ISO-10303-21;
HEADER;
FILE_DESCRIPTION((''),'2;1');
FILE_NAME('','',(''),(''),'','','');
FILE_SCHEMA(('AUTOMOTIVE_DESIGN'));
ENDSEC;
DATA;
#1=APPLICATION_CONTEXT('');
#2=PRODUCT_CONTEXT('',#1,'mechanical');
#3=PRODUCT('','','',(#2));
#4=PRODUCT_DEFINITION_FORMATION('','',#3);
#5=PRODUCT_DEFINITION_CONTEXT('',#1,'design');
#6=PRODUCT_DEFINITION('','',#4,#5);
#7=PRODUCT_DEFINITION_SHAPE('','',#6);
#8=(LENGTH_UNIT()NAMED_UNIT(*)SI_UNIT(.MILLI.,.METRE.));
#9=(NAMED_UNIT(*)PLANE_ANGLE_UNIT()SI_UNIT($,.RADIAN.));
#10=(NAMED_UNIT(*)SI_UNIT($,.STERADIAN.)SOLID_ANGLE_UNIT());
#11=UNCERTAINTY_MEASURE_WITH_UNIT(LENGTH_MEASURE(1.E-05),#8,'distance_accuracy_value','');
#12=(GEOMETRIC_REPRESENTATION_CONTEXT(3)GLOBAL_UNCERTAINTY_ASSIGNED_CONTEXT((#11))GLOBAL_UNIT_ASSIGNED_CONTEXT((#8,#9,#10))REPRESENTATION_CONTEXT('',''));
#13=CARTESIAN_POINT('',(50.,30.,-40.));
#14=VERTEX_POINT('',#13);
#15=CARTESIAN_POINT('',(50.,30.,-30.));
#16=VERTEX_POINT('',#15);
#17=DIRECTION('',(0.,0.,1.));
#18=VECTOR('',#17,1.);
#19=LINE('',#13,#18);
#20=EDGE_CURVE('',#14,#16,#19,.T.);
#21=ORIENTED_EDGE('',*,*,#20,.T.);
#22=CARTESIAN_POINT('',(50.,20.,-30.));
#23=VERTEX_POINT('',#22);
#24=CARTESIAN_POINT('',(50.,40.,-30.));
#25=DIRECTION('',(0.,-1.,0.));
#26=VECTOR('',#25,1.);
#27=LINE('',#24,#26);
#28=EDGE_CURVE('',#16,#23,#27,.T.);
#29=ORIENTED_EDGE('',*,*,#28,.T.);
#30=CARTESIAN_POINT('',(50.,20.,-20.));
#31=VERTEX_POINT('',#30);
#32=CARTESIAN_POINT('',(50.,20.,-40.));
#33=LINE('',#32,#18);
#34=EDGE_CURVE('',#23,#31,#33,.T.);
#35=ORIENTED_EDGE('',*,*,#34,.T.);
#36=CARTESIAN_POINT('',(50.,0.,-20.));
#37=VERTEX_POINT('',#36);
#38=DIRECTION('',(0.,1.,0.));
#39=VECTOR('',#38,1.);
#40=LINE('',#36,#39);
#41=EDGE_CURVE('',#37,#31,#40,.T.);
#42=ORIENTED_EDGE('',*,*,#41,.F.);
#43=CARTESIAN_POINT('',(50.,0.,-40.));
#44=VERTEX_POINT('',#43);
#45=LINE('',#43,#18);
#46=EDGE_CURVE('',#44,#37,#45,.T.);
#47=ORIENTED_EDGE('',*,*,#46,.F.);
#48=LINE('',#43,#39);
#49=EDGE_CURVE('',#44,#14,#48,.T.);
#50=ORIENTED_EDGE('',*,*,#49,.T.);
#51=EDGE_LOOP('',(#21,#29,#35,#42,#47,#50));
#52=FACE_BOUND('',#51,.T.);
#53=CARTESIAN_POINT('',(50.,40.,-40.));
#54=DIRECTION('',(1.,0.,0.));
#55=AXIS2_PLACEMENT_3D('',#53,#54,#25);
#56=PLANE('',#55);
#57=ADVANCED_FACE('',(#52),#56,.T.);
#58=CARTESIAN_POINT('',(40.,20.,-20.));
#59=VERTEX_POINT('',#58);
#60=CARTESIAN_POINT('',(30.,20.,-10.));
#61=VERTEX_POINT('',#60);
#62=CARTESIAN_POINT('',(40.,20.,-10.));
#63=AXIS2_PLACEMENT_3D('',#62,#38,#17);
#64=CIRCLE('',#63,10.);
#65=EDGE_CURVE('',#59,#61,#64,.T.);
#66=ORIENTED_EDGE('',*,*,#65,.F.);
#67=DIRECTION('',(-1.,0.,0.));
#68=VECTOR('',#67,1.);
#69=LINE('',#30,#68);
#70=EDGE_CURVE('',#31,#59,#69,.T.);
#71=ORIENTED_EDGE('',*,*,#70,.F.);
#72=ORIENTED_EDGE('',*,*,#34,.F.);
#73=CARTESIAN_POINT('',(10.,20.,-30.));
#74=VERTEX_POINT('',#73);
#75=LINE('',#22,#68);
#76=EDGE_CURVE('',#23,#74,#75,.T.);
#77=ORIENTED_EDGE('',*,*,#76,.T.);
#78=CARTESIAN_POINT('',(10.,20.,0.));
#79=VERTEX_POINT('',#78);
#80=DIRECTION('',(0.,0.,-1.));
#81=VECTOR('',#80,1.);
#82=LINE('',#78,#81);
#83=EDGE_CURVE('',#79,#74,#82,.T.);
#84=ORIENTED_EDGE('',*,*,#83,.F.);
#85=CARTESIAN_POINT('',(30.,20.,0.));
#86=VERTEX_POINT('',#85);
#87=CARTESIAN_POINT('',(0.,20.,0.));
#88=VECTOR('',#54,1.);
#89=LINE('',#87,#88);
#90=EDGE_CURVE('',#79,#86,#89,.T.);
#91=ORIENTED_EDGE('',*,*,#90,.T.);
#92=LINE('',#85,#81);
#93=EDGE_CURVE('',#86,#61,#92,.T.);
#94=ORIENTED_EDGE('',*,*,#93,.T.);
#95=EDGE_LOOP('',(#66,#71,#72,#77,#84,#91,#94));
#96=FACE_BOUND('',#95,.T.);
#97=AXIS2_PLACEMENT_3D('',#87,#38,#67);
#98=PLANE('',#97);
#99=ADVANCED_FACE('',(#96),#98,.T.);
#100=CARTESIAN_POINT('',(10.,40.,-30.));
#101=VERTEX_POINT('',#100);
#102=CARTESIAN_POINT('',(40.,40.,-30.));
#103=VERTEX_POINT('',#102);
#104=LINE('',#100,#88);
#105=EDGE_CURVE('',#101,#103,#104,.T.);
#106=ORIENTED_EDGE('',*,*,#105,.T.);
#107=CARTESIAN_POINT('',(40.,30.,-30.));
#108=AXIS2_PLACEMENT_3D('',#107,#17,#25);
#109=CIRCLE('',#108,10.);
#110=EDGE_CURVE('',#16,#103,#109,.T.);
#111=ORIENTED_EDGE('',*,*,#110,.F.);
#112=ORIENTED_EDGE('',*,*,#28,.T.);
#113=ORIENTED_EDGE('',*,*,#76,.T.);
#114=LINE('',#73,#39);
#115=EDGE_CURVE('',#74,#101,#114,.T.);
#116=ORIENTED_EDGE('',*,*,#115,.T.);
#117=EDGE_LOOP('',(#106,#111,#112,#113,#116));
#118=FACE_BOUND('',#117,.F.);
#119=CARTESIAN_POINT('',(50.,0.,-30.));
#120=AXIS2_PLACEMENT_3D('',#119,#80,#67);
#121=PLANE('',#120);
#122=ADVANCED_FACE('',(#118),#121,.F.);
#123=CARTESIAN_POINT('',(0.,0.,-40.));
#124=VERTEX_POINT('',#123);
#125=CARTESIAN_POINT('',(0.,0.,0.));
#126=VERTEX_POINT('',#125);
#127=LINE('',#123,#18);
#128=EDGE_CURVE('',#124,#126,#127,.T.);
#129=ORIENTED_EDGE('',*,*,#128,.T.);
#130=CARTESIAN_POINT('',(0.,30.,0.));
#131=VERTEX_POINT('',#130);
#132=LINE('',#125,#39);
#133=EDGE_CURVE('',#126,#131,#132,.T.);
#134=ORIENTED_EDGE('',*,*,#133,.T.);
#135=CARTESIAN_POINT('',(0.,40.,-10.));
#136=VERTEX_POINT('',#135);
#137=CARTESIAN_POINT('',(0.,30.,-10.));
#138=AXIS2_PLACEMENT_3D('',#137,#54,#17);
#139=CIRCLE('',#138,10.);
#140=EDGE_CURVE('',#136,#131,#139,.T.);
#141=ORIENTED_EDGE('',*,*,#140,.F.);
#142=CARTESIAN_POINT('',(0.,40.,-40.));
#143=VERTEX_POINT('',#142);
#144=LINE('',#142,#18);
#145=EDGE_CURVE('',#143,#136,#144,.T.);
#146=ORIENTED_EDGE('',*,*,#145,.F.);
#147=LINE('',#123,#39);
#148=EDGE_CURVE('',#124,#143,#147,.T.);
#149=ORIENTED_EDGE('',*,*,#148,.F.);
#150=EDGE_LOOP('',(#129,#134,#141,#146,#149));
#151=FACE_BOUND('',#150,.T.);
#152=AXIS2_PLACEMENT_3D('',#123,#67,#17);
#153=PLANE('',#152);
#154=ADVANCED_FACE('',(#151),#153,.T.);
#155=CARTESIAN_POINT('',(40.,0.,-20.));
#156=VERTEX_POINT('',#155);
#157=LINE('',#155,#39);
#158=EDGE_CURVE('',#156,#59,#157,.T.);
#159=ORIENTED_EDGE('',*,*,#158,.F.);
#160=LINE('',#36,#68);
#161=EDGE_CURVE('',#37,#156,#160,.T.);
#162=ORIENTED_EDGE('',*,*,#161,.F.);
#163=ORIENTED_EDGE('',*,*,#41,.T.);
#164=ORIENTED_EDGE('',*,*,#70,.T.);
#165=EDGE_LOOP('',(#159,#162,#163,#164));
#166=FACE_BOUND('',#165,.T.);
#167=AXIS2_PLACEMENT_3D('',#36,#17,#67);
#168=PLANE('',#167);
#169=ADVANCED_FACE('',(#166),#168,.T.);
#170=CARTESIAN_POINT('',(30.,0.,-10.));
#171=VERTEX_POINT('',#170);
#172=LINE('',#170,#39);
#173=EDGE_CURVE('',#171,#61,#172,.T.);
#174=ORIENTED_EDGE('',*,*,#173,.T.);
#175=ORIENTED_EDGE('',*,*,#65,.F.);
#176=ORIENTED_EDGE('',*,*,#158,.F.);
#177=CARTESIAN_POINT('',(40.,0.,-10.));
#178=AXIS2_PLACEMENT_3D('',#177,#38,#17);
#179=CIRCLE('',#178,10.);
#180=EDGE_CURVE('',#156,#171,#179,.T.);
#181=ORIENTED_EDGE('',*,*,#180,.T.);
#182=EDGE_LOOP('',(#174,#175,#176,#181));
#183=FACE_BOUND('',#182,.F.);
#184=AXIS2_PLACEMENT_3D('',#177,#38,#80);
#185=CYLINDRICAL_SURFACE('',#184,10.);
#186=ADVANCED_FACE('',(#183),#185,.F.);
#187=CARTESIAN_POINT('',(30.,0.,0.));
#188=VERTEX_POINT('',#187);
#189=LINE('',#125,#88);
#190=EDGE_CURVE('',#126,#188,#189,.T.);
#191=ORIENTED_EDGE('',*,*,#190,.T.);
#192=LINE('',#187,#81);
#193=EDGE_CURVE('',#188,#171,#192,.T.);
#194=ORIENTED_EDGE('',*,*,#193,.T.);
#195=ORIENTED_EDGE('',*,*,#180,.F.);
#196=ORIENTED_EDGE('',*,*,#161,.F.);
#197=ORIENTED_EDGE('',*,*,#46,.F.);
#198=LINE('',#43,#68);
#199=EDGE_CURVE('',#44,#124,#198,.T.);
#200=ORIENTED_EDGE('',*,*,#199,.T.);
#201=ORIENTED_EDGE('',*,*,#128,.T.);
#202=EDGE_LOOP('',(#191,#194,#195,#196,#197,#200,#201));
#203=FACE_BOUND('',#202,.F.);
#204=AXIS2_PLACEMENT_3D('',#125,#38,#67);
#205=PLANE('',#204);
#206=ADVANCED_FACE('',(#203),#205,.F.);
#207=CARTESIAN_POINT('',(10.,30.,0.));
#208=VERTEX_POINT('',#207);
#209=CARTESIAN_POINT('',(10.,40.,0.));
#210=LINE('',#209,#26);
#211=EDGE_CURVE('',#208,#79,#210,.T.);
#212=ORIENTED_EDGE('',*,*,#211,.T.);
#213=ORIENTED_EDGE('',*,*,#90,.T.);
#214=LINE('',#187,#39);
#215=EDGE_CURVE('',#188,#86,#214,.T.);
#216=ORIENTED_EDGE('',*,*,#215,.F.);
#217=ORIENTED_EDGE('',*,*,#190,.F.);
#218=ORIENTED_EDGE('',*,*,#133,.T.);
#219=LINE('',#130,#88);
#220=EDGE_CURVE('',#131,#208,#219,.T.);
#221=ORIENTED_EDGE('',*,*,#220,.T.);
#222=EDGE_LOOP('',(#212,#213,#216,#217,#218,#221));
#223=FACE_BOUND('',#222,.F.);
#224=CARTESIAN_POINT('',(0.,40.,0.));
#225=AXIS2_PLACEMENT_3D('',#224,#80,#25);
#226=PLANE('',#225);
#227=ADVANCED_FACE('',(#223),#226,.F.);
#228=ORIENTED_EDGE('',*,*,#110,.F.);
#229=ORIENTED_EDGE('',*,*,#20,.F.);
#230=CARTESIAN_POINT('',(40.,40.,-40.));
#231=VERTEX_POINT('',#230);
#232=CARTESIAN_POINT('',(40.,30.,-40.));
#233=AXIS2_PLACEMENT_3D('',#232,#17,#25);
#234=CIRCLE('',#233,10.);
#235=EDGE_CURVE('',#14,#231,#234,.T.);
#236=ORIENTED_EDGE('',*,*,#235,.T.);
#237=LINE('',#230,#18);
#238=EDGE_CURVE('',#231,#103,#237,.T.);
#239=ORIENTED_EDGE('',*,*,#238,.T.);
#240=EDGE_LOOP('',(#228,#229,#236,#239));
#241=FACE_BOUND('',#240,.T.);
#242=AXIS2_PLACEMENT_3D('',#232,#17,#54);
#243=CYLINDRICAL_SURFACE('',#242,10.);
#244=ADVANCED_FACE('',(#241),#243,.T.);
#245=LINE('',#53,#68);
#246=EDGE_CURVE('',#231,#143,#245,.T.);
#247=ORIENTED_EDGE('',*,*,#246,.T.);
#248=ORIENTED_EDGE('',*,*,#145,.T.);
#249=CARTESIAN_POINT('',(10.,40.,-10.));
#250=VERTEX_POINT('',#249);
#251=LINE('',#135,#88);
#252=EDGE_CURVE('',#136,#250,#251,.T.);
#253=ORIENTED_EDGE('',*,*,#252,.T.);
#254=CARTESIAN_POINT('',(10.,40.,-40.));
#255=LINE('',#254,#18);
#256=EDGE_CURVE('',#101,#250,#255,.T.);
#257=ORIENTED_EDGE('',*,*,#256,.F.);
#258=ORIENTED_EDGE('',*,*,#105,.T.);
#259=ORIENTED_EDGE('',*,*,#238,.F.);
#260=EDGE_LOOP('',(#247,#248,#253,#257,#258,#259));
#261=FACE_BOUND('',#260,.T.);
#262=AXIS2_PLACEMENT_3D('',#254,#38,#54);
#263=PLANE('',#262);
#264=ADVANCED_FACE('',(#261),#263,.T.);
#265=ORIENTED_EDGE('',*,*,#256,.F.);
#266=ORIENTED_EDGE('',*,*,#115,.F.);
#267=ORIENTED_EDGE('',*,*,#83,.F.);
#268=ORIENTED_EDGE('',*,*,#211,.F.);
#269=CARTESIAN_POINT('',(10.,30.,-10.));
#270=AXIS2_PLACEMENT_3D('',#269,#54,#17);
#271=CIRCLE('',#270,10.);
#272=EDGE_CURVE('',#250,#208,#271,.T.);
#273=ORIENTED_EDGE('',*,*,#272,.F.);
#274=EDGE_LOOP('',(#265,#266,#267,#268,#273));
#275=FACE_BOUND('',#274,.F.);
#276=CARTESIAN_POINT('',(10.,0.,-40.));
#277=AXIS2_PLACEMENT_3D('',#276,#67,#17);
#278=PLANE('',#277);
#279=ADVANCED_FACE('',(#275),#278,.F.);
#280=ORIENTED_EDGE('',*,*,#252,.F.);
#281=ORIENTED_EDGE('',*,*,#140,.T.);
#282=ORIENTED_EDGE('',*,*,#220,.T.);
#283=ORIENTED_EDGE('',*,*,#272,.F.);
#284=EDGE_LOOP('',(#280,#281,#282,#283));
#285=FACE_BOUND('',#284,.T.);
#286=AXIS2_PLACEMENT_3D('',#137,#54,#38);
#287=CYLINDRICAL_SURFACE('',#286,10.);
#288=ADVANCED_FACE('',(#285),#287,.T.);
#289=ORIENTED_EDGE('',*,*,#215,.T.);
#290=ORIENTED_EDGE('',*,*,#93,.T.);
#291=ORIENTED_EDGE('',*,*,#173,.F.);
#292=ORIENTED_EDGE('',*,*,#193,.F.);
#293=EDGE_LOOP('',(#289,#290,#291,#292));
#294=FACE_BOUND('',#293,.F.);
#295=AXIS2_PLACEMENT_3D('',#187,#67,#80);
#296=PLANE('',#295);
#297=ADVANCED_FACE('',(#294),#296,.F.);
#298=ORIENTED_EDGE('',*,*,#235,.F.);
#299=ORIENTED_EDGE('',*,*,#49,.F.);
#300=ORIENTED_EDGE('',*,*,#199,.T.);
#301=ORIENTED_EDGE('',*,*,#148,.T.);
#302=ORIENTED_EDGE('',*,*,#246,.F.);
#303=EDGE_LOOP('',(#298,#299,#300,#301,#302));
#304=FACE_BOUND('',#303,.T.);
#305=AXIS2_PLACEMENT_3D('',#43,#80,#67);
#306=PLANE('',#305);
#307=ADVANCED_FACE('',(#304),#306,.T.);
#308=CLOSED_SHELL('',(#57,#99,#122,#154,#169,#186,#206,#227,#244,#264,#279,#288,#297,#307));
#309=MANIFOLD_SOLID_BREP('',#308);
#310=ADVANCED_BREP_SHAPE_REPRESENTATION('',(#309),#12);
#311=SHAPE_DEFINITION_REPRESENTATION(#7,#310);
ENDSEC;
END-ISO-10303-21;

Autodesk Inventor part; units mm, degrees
ref_plane "YZ Plane" through (0, 0, 0) normal (1, 0, 0) x (0, 1, 0)
ref_plane "XZ Plane" through (0, 0, 0) normal (0, 1, 0) x (-1, 0, 0)
ref_plane "XY Plane" through (0, 0, 0) normal (0, 0, 1) x (1, 0, 0)
sketch "草圖1" plane through (0, 0, 0) normal (0, 1, 0) x (-1, 0, 0)
  line L0 (0, 0) -> (-30, 0)
  line L1 (-30, 0) -> (-30, -40)
  line L2 (-30, -40) -> (0, -40)
  line L3 (0, -40) -> (0, 0)
  line L4 (-30, -40) -> (-50, -40)
  line L5 (-50, -40) -> (-50, -20)
  line L6 (-50, -20) -> (-30, -20)
  line L7 (-30, -20) -> (-30, -40)
  dimension "d0" = 40
  dimension "d1" = 20
  dimension "d2" = 20
  dimension "d3" = 30
extrude "擠出1" add sketch "草圖1" along normal blind 20
sketch "草圖2" plane through (0, 0, -40) normal (-1, 0, 0) x (0, 0, 1)
  line L0 (40, 0) -> (40, 20) projected
  line L1 (40, 20) -> (0, 20)
  line L2 (0, 20) -> (0, 40)
  line L3 (0, 40) -> (40, 40)
  line L4 (40, 40) -> (40, 20)
  dimension "d6" = 20
extrude "擠出2" add sketch "草圖2" against normal blind 10
sketch "草圖3" plane through (50, 0, -40) normal (0, 0, -1) x (-1, 0, 0)
  line L0 (0, 20) -> (40, 20) projected
  line L1 (50, 40) -> (40, 40) projected
  line L2 (0, 20) -> (40, 20)
  line L3 (40, 20) -> (40, 40)
  line L4 (40, 40) -> (0, 40)
  line L5 (0, 40) -> (0, 20)
  point P0 (50, 0)
extrude "擠出3" add sketch "草圖3" against normal blind 10
fillet "圓角1" radius 10 3 edges at (50, 40, -35) (5, 40, 0) (30, 10, -20)
properties part number "36"
